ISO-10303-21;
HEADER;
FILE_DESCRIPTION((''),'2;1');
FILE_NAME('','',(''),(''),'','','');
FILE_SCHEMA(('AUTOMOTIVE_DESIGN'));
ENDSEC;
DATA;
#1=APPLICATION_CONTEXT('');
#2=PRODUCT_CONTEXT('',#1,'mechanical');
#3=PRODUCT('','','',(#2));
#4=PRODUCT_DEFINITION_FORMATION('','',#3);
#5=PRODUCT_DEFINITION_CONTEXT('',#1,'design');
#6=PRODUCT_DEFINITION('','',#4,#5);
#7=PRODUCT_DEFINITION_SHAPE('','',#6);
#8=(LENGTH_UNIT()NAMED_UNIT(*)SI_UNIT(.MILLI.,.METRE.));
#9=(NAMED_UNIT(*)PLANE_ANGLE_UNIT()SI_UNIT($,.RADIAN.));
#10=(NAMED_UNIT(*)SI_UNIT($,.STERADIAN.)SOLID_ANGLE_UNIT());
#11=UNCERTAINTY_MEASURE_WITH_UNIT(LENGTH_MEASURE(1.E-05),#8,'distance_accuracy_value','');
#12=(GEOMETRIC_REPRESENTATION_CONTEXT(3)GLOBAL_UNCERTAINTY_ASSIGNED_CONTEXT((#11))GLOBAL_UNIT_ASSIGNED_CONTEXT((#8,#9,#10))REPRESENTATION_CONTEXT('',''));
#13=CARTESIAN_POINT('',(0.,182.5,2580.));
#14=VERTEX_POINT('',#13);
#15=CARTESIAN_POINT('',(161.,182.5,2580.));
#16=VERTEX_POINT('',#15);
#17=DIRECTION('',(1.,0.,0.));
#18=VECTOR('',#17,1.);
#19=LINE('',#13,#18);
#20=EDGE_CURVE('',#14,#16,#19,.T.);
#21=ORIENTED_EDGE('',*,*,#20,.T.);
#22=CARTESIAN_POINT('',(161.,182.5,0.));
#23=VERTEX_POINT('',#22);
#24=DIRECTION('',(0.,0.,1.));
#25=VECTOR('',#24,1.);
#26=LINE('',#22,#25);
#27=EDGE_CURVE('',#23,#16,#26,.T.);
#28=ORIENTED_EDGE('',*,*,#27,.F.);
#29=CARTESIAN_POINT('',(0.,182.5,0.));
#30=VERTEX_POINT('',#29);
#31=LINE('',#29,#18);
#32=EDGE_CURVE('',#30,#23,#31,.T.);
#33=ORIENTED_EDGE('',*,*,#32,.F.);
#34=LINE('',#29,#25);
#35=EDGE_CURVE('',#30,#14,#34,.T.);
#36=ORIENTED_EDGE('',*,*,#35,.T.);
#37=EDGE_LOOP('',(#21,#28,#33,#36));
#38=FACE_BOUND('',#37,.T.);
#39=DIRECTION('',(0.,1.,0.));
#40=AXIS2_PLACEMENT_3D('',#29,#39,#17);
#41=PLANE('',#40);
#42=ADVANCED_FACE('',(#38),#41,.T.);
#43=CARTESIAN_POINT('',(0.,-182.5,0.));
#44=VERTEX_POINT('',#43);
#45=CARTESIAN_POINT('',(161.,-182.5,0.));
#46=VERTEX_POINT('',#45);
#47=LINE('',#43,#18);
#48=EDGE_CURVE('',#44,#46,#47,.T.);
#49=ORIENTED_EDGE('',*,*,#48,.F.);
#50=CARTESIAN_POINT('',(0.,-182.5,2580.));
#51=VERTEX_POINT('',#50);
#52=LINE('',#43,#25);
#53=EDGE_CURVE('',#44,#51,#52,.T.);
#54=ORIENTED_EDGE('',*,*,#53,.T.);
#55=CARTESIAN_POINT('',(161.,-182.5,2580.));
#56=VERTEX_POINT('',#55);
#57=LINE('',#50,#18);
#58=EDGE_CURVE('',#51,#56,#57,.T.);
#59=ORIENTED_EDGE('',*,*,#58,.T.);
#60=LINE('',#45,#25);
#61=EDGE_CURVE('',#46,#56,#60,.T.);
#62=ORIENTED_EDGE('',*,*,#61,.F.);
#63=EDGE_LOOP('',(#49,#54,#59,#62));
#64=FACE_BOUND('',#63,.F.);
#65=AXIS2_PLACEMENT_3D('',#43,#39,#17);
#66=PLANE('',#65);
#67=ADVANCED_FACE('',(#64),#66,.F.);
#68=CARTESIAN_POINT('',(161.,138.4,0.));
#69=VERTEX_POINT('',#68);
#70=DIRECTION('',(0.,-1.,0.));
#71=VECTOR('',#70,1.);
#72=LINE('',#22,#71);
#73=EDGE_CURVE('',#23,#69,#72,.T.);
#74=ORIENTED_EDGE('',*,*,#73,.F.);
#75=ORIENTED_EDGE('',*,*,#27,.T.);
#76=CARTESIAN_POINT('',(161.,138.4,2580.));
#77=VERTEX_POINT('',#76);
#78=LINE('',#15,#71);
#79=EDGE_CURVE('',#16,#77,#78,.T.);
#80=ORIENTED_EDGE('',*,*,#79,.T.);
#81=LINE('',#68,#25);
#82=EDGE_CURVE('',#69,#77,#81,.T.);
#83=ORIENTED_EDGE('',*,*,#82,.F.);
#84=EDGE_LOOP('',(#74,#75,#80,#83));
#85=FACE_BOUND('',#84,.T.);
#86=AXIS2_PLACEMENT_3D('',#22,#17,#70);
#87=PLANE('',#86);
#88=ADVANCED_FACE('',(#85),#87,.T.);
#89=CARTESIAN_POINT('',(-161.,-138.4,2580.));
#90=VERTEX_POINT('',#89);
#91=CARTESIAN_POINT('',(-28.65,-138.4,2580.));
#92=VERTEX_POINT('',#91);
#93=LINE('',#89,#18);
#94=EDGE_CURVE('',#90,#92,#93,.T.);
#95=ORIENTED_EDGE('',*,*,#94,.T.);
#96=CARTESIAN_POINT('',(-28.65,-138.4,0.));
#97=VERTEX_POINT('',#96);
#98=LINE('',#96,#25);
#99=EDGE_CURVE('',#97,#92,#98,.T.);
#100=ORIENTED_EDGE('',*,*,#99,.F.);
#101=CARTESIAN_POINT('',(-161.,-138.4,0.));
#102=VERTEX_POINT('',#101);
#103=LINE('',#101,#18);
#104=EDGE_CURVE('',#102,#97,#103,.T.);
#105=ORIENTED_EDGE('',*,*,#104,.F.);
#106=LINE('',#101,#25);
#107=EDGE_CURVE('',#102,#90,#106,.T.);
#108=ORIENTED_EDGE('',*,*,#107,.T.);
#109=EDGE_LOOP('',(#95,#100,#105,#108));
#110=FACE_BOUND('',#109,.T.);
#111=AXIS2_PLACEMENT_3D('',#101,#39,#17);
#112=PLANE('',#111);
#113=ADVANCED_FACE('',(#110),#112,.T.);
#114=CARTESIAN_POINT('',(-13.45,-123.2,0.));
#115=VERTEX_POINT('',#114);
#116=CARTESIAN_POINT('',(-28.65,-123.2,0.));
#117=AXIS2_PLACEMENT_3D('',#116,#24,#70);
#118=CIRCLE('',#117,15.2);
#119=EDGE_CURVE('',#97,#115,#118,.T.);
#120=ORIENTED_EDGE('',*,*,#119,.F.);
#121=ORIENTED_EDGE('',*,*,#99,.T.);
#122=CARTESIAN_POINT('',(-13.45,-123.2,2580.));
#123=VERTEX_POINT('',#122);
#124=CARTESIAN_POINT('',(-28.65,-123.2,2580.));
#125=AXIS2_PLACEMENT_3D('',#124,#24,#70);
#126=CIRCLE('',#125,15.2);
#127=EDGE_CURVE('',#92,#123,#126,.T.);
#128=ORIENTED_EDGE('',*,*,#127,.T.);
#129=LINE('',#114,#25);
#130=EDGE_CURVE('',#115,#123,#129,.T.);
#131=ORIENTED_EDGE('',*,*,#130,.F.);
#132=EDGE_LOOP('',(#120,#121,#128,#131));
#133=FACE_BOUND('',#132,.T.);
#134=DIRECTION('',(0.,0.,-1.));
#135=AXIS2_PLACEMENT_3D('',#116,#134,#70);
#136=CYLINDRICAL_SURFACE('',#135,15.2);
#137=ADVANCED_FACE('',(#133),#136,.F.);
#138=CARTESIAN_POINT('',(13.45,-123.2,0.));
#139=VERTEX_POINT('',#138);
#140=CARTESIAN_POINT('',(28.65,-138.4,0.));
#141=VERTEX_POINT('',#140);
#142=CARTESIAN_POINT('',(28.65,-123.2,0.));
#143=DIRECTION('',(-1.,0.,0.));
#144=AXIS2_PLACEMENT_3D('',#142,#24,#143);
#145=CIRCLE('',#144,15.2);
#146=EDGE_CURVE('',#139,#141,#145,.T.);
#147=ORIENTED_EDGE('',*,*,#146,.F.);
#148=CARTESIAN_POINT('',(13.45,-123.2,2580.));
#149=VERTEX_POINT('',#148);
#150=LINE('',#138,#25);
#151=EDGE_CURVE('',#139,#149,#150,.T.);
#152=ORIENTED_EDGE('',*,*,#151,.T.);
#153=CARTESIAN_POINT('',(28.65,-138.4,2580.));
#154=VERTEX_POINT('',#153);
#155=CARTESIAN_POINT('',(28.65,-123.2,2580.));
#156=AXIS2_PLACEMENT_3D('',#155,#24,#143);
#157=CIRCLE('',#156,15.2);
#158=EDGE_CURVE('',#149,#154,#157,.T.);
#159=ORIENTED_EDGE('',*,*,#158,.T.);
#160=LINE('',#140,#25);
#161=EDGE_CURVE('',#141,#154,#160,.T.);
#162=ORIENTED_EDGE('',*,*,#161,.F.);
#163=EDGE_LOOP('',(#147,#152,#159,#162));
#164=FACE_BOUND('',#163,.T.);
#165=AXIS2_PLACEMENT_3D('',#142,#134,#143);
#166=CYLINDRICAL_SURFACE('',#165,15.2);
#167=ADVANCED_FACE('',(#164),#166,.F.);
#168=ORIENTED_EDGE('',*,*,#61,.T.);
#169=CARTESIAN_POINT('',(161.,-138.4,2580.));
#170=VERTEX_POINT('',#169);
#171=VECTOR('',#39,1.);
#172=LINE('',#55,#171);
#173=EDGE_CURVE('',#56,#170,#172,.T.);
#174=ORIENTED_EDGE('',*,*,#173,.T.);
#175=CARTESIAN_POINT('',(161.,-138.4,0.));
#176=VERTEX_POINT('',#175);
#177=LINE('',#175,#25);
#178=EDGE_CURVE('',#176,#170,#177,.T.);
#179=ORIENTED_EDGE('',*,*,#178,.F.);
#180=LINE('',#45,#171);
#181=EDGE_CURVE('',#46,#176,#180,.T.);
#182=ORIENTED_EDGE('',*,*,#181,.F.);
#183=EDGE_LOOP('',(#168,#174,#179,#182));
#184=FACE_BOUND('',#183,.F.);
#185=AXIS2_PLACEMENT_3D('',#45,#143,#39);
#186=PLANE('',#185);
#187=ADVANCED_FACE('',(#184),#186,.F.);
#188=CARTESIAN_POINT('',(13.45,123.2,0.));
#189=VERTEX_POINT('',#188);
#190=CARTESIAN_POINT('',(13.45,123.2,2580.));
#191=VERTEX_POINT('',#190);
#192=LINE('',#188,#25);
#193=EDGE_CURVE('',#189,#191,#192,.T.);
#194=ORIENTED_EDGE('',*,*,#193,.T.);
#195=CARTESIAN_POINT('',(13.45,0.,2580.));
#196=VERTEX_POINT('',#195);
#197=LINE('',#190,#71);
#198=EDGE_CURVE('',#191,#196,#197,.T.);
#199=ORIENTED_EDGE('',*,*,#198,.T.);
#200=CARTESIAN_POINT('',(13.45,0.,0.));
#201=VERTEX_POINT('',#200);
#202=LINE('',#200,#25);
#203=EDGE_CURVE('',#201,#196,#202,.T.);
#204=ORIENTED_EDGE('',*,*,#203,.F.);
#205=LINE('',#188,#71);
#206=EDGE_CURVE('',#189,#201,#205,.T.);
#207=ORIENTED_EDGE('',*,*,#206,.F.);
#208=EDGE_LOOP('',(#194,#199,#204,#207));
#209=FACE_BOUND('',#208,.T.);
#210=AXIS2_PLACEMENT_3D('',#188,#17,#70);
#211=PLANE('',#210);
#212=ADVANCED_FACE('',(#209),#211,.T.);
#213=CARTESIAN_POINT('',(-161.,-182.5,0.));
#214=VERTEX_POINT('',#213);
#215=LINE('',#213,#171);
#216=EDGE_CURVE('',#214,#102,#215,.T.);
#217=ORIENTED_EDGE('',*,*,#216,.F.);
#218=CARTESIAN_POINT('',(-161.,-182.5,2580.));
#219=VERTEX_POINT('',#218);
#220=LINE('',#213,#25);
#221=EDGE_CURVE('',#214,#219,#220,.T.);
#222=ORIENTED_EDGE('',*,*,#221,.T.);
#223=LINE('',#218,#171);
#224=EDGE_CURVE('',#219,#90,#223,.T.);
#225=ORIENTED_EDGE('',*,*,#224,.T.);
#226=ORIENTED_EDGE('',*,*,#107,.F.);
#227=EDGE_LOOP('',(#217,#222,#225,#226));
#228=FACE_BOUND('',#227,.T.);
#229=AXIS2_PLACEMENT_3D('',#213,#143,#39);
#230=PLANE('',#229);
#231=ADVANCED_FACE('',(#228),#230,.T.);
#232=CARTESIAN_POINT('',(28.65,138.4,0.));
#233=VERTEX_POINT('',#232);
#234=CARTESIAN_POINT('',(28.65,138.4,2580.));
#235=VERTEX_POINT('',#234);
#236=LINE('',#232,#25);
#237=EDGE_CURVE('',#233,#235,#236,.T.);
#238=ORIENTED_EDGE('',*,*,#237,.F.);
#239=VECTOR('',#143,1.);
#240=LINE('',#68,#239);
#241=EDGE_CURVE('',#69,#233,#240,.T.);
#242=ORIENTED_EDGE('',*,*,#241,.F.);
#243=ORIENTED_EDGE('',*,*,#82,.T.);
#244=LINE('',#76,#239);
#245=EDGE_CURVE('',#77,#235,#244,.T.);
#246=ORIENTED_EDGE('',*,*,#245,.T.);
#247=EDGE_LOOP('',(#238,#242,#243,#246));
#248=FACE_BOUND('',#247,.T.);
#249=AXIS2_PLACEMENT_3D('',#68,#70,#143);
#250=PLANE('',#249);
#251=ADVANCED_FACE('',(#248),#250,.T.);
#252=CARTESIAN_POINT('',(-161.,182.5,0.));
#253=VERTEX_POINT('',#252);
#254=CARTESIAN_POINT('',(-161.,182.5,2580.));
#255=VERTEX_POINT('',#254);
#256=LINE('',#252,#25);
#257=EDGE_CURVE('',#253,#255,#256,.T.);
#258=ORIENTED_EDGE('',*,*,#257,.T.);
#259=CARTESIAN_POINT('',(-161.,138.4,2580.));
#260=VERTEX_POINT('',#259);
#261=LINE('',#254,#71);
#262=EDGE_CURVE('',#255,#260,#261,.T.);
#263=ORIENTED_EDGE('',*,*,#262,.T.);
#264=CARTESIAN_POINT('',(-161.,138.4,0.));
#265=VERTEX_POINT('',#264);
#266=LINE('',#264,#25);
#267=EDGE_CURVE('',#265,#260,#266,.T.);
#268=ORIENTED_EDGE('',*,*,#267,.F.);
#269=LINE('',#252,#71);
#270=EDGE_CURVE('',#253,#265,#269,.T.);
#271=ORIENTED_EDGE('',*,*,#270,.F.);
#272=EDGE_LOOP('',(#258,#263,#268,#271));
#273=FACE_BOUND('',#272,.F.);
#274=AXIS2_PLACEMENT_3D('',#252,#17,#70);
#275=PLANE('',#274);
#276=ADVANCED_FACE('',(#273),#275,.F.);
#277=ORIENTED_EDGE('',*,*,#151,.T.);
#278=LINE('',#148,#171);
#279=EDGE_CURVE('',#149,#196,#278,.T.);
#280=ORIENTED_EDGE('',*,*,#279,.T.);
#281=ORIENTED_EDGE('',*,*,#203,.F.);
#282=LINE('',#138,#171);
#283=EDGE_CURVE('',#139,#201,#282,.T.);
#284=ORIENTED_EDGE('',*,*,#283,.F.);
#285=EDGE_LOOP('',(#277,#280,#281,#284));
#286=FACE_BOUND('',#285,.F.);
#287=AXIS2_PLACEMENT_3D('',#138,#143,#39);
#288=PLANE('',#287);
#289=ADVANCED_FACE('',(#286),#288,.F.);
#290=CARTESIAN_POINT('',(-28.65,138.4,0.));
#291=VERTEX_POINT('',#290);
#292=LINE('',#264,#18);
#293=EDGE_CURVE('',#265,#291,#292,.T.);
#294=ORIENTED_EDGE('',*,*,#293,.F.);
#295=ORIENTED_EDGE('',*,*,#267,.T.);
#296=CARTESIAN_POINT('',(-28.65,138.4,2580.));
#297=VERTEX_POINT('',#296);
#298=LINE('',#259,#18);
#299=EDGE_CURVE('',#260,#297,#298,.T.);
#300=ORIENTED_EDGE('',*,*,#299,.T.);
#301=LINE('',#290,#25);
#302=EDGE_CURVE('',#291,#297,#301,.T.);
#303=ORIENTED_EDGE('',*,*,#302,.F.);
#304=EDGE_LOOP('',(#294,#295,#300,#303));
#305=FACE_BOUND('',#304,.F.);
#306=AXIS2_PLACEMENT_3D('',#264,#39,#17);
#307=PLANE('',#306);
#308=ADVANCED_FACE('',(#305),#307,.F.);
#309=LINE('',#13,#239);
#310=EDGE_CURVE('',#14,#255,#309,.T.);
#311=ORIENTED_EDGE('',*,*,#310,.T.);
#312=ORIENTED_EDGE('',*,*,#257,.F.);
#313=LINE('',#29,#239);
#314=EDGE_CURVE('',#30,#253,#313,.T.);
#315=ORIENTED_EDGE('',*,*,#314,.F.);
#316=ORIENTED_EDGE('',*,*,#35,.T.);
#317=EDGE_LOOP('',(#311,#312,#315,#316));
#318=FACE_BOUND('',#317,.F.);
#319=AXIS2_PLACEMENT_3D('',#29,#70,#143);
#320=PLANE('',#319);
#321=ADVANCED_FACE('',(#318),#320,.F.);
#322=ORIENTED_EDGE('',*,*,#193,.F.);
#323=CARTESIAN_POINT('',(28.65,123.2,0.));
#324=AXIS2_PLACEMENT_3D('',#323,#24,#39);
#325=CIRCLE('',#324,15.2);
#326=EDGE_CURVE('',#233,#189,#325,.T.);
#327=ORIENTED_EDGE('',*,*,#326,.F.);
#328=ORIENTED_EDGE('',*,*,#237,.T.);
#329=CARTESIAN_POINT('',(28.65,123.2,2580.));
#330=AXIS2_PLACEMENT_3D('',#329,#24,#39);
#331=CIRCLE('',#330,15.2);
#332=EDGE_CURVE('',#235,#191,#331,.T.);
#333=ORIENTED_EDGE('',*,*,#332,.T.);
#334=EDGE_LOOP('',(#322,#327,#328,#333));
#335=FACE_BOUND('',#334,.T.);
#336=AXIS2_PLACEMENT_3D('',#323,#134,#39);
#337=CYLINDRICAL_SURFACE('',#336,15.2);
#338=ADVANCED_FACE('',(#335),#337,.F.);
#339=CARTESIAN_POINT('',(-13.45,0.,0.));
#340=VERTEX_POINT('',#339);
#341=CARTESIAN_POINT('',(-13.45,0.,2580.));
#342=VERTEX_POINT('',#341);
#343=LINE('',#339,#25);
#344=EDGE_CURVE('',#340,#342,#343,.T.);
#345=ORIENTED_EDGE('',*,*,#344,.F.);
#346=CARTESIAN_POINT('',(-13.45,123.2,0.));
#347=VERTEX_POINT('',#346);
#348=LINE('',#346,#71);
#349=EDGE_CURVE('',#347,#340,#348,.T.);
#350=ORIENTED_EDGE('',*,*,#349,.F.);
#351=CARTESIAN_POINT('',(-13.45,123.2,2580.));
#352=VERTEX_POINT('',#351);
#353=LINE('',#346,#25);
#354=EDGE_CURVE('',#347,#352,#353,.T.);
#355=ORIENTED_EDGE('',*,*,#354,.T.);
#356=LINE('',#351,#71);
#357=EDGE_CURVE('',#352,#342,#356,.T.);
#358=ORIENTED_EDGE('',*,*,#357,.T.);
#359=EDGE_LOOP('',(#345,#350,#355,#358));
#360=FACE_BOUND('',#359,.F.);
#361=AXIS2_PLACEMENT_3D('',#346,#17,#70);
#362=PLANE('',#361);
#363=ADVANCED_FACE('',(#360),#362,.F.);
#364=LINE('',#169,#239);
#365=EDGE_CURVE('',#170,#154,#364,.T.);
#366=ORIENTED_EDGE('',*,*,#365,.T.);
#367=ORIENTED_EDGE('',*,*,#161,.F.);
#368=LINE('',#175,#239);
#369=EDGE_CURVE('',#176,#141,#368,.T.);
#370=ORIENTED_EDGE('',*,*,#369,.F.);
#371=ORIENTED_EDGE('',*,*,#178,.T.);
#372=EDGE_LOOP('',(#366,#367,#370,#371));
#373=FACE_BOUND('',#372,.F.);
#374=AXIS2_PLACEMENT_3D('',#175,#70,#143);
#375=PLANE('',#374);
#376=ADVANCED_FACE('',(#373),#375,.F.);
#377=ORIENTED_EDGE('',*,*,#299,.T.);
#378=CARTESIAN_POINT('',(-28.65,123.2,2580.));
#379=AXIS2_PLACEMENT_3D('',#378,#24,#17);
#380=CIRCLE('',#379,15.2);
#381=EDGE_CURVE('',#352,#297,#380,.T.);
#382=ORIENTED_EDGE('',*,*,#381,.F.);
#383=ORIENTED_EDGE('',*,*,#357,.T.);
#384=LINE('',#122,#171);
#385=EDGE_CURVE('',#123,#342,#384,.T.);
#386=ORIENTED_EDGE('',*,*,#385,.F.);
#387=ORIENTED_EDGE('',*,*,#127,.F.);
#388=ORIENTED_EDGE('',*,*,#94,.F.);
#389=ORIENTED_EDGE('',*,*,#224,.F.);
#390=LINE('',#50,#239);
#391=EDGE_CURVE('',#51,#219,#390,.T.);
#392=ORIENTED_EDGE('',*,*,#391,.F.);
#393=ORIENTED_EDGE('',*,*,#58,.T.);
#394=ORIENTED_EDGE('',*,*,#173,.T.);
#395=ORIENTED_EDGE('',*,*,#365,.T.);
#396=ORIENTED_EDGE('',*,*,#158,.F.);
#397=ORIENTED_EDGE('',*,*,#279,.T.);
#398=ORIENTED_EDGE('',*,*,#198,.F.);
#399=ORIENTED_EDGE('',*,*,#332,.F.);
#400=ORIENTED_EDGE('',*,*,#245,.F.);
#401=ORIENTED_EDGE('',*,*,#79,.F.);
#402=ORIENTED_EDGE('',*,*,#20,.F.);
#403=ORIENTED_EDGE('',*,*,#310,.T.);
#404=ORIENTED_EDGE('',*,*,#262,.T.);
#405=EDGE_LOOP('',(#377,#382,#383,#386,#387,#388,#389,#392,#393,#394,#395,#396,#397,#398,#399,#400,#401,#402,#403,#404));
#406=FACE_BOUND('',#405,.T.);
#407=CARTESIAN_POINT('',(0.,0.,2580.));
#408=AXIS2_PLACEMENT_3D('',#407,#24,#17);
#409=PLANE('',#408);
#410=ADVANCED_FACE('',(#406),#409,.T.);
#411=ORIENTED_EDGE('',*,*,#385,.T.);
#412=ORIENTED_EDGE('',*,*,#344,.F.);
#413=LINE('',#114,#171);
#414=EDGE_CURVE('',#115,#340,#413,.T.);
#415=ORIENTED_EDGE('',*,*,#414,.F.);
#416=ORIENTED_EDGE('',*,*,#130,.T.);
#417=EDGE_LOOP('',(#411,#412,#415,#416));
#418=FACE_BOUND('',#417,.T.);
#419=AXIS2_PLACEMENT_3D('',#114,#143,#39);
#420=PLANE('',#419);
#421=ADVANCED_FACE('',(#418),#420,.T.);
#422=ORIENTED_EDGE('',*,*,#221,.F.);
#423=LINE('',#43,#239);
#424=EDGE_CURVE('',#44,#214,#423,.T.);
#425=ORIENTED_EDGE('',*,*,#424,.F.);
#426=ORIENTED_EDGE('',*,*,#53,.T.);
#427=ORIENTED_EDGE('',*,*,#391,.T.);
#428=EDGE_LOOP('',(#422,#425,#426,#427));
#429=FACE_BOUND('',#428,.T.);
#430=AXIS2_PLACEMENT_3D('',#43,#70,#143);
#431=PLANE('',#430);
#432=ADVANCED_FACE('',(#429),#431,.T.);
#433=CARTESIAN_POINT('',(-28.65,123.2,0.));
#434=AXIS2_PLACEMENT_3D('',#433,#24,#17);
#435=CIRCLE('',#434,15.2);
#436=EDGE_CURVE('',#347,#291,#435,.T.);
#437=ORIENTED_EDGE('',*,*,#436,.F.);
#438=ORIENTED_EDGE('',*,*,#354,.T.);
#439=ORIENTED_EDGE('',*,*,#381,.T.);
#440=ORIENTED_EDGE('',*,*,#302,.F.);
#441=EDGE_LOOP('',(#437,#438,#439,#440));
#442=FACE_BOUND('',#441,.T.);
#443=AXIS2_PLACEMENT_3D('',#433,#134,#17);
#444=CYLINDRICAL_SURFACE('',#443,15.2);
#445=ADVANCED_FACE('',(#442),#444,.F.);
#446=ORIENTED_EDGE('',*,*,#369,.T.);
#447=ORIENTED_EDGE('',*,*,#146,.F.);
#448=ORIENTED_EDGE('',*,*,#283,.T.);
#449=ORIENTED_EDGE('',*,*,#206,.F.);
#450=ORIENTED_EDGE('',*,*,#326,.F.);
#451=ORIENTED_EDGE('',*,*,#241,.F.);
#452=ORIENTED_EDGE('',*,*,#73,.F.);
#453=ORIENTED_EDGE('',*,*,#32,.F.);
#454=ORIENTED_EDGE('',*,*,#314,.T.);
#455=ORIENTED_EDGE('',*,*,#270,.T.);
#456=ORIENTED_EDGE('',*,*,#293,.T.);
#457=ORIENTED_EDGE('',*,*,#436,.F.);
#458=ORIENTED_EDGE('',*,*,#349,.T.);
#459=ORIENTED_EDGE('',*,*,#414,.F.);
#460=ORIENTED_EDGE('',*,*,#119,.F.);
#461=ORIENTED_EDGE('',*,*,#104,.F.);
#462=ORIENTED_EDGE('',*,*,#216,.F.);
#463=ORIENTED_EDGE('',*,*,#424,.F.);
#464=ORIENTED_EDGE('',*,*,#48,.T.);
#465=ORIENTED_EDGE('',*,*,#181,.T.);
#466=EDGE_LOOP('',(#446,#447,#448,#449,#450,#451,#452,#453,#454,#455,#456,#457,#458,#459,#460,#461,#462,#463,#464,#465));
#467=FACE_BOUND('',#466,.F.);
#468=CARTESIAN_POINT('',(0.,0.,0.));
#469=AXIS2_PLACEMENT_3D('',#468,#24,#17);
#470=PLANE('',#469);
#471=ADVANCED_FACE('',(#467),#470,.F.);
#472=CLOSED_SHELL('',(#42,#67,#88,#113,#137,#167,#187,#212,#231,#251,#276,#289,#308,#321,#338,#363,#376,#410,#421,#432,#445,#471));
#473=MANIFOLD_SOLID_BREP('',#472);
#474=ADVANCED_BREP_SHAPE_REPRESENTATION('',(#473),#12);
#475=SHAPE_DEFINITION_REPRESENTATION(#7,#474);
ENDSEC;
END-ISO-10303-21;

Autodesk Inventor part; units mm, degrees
ref_plane "YZ Plane" through (0, 0, 0) normal (1, 0, 0) x (0, 1, 0)
ref_plane "Start plane" through (0, 0, 0) normal (0, 0, 1) x (1, 0, 0)
ref_plane "End plane" through (0, 0, 2580) normal (0, 0, 1) x (1, 0, 0)
sketch "Sketch" plane through (0, 0, 0) normal (0, 0, 1) x (1, 0, 0)
  line L0 (-161, -182.5) -> (-161, -138.4)
  line L1 (-161, -138.4) -> (-28.65, -138.4)
  line L2 (-13.45, -123.2) -> (-13.45, 0)
  line L3 (-13.45, 0) -> (0, 0) construction
  line L4 (0, 0) -> (0, -182.5) construction
  line L5 (0, -182.5) -> (-161, -182.5)
  line L6 (-60, 0) -> (80, 0) construction
  line L7 (0, -60) -> (0, 80) construction
  line L8 (161, -182.5) -> (161, -138.4)
  line L9 (161, -138.4) -> (28.65, -138.4)
  line L10 (13.45, -123.2) -> (13.45, 0)
  line L11 (13.45, 0) -> (0, 0) construction
  line L12 (0, -182.5) -> (161, -182.5)
  line L13 (-161, 182.5) -> (-161, 138.4)
  line L14 (-161, 138.4) -> (-28.65, 138.4)
  line L15 (-13.45, 123.2) -> (-13.45, 0)
  line L16 (0, 182.5) -> (-161, 182.5)
  line L17 (161, 182.5) -> (161, 138.4)
  line L18 (161, 138.4) -> (28.65, 138.4)
  line L19 (0, 182.5) -> (161, 182.5)
  line L20 (13.45, 123.2) -> (13.45, 0)
  arc A0 (-13.45, 123.2) -> (-28.65, 138.4) centre (-28.65, 123.2) ccw
  arc A1 (28.65, 138.4) -> (13.45, 123.2) centre (28.65, 123.2) ccw
  arc A2 (13.45, -123.2) -> (28.65, -138.4) centre (28.65, -123.2) ccw
  arc A3 (-28.65, -138.4) -> (-13.45, -123.2) centre (-28.65, -123.2) ccw
  line L21 (0, 108) -> (0, -88) construction
  line L22 (-88, 0) -> (108, 0) construction
  point P0 (-13.45, -138.4)
  point P1 (13.45, -138.4)
  point P2 (-13.45, 138.4)
  point P3 (13.45, 138.4)
  dimension "d1" = 182.5
  dimension "d2" = 44.1
  dimension "d3" = 161
  dimension "d4" = 13.45
  dimension "d10" = 15.2
extrude "Body" add sketch "Sketch" along normal up to surface (2580 mm away) from surface at 0
sketch "Sketch4" plane through (0, 0, 0) normal (0, 0, 1) x (1, 0, 0)
  line L0 (0, 0) -> (10, 0)
ref_plane "Work Plane3" through (0, 0, 0) normal (0, -1, 0) x (1, 0, 0)
sketch "Sketch5" plane through (0, 0, 0) normal (0, -1, 0) x (1, 0, 0)
  line L0 (-2, 0) -> (12, 0) projected
  line L1 (-2, 2580) -> (12, 2580) projected
  dimension "d14" = 2580
equation "\"d1\" = 0.5 * G_H"
equation "\"d2\" = G_T1"
equation "\"d3\" = 0.5 * G_W"
equation "\"d4\" = 0.5 * G_T"
equation "\"d10\" = G_IR"
equation "\"d5\" = G_L"
equation "\"G_W\" = 322"
equation "\"G_H\" = 365"
equation "\"G_T\" = 26.9"
equation "\"G_T1\" = 44.1"
equation "\"G_IR\" = 15.2"
equation "\"G_L\" = d14"
equation "\"G_OFFSET_START\" = 0"
equation "\"G_OFFSET_END\" = 0"
properties part number "AS 3679 - 310 UC - 283 - 2580" material "Steel, Mild"
